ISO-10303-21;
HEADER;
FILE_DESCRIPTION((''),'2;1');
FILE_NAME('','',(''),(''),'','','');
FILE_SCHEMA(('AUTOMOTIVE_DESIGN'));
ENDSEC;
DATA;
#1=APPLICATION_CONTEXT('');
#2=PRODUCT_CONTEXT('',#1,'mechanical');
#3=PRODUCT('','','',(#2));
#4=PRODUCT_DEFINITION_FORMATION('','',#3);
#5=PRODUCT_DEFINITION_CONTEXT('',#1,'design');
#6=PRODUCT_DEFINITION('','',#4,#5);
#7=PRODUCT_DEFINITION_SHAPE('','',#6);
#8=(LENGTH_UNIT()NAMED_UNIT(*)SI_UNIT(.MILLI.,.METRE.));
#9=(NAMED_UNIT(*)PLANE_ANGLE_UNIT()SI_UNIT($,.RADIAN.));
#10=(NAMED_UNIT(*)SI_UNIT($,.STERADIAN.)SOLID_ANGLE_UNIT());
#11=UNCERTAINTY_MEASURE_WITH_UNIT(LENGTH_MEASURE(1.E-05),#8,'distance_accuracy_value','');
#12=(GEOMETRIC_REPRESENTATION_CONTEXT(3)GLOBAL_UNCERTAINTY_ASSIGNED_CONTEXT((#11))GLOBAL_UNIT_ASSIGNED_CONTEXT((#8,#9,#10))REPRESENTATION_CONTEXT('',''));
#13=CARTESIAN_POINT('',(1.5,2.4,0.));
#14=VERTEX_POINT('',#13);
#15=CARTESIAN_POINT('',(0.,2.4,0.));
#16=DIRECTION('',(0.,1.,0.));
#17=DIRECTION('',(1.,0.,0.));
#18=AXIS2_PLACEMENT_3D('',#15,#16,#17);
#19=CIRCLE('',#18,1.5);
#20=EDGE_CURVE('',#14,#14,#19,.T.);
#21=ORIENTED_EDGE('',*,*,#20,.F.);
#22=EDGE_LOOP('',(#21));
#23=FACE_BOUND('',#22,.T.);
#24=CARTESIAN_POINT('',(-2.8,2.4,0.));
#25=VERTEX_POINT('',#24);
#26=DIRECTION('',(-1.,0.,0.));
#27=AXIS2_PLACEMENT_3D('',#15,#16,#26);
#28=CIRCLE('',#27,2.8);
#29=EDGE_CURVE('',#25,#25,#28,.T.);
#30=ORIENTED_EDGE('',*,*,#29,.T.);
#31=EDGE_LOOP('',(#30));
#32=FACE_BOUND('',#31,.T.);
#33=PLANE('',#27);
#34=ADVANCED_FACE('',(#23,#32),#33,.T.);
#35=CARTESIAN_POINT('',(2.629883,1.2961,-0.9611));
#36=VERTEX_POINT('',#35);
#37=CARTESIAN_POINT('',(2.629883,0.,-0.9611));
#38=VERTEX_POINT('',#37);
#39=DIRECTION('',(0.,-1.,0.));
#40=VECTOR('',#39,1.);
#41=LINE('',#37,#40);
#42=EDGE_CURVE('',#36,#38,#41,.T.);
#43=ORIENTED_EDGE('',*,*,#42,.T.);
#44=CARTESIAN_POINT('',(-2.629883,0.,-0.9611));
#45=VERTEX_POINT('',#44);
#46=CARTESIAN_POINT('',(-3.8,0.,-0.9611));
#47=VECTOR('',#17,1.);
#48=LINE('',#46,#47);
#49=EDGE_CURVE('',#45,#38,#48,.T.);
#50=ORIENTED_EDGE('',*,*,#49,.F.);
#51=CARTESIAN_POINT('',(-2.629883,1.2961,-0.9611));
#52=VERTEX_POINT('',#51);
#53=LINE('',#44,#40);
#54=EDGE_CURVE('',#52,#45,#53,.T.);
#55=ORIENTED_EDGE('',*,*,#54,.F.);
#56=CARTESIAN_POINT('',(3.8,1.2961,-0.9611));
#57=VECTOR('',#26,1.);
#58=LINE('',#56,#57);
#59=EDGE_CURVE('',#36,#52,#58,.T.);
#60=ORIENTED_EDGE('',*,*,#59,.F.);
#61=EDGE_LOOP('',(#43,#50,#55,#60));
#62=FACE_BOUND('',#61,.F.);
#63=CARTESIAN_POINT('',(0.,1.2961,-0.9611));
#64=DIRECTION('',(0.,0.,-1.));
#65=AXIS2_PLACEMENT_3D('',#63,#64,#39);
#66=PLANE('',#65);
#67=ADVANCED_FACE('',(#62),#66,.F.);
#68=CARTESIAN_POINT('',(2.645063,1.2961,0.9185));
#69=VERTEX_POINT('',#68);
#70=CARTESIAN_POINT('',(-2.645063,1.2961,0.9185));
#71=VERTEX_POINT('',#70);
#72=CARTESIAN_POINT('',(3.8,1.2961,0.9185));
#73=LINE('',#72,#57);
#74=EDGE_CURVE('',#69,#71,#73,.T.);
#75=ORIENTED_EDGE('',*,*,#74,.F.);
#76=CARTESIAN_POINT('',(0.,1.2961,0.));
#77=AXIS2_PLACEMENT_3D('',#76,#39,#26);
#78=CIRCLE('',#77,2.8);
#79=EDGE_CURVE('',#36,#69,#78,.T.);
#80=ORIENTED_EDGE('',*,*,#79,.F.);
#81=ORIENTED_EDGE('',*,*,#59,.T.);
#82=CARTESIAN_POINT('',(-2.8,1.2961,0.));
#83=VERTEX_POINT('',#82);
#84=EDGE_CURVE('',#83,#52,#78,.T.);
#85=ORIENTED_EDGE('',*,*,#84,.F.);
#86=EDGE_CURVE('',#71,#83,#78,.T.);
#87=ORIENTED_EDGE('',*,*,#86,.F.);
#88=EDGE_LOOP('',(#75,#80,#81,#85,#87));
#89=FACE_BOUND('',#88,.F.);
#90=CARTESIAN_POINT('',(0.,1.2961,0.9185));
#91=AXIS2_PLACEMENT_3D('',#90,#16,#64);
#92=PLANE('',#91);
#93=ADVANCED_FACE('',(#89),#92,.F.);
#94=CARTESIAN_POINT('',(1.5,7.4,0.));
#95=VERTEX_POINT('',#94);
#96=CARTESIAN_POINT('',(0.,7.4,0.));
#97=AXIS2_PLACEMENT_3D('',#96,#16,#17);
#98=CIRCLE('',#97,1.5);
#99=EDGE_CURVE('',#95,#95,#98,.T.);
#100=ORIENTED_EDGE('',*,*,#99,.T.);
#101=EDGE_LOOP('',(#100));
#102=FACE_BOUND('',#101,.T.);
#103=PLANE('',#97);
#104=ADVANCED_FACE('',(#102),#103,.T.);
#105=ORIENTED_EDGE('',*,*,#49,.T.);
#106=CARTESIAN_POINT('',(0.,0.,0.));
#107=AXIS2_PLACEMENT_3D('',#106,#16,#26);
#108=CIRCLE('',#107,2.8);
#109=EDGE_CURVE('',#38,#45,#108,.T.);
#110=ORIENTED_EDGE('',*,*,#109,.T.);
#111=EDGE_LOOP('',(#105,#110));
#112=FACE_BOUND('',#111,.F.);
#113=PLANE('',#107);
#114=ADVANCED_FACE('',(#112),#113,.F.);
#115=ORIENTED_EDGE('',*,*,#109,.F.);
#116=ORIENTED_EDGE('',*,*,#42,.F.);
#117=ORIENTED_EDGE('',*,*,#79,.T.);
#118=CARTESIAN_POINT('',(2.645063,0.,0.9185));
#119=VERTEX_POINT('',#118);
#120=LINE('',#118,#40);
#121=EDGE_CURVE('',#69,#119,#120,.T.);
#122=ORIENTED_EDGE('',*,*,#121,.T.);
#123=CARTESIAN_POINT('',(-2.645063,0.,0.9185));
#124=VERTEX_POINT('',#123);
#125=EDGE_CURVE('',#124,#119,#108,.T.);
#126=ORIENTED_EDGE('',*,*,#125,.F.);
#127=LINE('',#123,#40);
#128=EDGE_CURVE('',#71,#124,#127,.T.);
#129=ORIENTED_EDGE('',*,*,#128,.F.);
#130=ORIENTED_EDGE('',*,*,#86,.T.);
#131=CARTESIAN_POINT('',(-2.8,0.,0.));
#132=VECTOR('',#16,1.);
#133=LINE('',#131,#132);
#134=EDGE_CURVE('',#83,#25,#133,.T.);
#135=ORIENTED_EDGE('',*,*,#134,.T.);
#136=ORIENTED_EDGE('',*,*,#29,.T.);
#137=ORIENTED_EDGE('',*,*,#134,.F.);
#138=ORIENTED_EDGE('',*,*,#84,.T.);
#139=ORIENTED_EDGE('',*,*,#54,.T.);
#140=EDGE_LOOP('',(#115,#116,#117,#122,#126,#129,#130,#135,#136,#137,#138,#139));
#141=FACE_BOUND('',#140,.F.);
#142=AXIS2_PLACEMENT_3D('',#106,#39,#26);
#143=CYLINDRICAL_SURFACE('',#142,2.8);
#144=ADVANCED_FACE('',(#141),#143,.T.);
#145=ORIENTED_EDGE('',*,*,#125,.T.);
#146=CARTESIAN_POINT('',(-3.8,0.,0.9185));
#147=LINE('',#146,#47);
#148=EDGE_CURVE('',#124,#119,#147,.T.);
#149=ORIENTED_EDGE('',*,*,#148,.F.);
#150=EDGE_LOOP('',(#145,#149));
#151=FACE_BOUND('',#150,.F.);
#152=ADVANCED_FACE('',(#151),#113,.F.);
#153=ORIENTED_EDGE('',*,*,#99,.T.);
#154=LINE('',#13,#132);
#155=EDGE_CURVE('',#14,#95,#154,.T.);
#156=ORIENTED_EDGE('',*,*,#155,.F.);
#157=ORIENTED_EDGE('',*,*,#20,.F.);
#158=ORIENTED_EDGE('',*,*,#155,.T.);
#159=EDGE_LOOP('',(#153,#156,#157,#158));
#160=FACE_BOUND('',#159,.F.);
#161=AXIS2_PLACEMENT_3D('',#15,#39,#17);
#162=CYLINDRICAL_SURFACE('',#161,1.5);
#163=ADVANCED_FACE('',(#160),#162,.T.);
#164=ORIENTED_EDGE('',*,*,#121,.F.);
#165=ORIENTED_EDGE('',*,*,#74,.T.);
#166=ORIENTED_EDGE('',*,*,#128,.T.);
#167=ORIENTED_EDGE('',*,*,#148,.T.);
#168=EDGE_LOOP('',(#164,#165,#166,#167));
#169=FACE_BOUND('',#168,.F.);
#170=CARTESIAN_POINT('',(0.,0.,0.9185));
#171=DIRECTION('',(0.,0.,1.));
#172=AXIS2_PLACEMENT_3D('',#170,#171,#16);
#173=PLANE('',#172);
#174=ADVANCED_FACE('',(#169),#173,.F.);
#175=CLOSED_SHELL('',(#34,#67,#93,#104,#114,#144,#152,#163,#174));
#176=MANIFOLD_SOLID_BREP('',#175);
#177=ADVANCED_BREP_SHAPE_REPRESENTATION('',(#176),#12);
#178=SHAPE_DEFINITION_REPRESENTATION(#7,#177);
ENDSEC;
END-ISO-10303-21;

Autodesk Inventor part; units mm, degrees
ref_plane "YZ Plane" through (0, 0, 0) normal (1, 0, 0) x (0, 1, 0)
ref_plane "XZ Plane" through (0, 0, 0) normal (0, 1, 0) x (-1, 0, 0)
ref_plane "XY Plane" through (0, 0, 0) normal (0, 0, 1) x (1, 0, 0)
sketch "Esboço1" plane through (0, 0, 0) normal (0, 1, 0) x (-1, 0, 0)
  circle A0 centre (0, 0) radius 2.8
  dimension "d0" = 5.6
extrude "Extrusão1" add sketch "Esboço1" along normal blind 2.4
sketch "Esboço2" plane through (0, 0, 0) normal (1, 0, 0) x (0, 1, 0)
  line L0 (0, 0.9185) -> (1.2961, 0.9185)
  line L1 (1.2961, 0.9185) -> (1.2961, -0.9611)
  line L2 (1.2961, -0.9611) -> (0, -0.9611)
  line L3 (0, -0.9611) -> (0, 0.9185)
  point P0 (0, 0)
extrude "Extrusão2" cut sketch "Esboço2" along normal through all both and the other way through all
sketch "Esboço3" plane through (0, 2.4, 0) normal (0, 1, 0) x (1, 0, 0)
  circle A0 centre (0, 0) radius 2.8 projected
  circle A1 centre (0, 0) radius 1.5
  dimension "d5" = 3
extrude "Extrusão3" add sketch "Esboço3" along normal blind 5 contours A1
thread "Rosca1" size "M3x0.5" class "6g" standard "ANSI Metric M Profile" full length
properties part number "Parafuso-M3-5"
